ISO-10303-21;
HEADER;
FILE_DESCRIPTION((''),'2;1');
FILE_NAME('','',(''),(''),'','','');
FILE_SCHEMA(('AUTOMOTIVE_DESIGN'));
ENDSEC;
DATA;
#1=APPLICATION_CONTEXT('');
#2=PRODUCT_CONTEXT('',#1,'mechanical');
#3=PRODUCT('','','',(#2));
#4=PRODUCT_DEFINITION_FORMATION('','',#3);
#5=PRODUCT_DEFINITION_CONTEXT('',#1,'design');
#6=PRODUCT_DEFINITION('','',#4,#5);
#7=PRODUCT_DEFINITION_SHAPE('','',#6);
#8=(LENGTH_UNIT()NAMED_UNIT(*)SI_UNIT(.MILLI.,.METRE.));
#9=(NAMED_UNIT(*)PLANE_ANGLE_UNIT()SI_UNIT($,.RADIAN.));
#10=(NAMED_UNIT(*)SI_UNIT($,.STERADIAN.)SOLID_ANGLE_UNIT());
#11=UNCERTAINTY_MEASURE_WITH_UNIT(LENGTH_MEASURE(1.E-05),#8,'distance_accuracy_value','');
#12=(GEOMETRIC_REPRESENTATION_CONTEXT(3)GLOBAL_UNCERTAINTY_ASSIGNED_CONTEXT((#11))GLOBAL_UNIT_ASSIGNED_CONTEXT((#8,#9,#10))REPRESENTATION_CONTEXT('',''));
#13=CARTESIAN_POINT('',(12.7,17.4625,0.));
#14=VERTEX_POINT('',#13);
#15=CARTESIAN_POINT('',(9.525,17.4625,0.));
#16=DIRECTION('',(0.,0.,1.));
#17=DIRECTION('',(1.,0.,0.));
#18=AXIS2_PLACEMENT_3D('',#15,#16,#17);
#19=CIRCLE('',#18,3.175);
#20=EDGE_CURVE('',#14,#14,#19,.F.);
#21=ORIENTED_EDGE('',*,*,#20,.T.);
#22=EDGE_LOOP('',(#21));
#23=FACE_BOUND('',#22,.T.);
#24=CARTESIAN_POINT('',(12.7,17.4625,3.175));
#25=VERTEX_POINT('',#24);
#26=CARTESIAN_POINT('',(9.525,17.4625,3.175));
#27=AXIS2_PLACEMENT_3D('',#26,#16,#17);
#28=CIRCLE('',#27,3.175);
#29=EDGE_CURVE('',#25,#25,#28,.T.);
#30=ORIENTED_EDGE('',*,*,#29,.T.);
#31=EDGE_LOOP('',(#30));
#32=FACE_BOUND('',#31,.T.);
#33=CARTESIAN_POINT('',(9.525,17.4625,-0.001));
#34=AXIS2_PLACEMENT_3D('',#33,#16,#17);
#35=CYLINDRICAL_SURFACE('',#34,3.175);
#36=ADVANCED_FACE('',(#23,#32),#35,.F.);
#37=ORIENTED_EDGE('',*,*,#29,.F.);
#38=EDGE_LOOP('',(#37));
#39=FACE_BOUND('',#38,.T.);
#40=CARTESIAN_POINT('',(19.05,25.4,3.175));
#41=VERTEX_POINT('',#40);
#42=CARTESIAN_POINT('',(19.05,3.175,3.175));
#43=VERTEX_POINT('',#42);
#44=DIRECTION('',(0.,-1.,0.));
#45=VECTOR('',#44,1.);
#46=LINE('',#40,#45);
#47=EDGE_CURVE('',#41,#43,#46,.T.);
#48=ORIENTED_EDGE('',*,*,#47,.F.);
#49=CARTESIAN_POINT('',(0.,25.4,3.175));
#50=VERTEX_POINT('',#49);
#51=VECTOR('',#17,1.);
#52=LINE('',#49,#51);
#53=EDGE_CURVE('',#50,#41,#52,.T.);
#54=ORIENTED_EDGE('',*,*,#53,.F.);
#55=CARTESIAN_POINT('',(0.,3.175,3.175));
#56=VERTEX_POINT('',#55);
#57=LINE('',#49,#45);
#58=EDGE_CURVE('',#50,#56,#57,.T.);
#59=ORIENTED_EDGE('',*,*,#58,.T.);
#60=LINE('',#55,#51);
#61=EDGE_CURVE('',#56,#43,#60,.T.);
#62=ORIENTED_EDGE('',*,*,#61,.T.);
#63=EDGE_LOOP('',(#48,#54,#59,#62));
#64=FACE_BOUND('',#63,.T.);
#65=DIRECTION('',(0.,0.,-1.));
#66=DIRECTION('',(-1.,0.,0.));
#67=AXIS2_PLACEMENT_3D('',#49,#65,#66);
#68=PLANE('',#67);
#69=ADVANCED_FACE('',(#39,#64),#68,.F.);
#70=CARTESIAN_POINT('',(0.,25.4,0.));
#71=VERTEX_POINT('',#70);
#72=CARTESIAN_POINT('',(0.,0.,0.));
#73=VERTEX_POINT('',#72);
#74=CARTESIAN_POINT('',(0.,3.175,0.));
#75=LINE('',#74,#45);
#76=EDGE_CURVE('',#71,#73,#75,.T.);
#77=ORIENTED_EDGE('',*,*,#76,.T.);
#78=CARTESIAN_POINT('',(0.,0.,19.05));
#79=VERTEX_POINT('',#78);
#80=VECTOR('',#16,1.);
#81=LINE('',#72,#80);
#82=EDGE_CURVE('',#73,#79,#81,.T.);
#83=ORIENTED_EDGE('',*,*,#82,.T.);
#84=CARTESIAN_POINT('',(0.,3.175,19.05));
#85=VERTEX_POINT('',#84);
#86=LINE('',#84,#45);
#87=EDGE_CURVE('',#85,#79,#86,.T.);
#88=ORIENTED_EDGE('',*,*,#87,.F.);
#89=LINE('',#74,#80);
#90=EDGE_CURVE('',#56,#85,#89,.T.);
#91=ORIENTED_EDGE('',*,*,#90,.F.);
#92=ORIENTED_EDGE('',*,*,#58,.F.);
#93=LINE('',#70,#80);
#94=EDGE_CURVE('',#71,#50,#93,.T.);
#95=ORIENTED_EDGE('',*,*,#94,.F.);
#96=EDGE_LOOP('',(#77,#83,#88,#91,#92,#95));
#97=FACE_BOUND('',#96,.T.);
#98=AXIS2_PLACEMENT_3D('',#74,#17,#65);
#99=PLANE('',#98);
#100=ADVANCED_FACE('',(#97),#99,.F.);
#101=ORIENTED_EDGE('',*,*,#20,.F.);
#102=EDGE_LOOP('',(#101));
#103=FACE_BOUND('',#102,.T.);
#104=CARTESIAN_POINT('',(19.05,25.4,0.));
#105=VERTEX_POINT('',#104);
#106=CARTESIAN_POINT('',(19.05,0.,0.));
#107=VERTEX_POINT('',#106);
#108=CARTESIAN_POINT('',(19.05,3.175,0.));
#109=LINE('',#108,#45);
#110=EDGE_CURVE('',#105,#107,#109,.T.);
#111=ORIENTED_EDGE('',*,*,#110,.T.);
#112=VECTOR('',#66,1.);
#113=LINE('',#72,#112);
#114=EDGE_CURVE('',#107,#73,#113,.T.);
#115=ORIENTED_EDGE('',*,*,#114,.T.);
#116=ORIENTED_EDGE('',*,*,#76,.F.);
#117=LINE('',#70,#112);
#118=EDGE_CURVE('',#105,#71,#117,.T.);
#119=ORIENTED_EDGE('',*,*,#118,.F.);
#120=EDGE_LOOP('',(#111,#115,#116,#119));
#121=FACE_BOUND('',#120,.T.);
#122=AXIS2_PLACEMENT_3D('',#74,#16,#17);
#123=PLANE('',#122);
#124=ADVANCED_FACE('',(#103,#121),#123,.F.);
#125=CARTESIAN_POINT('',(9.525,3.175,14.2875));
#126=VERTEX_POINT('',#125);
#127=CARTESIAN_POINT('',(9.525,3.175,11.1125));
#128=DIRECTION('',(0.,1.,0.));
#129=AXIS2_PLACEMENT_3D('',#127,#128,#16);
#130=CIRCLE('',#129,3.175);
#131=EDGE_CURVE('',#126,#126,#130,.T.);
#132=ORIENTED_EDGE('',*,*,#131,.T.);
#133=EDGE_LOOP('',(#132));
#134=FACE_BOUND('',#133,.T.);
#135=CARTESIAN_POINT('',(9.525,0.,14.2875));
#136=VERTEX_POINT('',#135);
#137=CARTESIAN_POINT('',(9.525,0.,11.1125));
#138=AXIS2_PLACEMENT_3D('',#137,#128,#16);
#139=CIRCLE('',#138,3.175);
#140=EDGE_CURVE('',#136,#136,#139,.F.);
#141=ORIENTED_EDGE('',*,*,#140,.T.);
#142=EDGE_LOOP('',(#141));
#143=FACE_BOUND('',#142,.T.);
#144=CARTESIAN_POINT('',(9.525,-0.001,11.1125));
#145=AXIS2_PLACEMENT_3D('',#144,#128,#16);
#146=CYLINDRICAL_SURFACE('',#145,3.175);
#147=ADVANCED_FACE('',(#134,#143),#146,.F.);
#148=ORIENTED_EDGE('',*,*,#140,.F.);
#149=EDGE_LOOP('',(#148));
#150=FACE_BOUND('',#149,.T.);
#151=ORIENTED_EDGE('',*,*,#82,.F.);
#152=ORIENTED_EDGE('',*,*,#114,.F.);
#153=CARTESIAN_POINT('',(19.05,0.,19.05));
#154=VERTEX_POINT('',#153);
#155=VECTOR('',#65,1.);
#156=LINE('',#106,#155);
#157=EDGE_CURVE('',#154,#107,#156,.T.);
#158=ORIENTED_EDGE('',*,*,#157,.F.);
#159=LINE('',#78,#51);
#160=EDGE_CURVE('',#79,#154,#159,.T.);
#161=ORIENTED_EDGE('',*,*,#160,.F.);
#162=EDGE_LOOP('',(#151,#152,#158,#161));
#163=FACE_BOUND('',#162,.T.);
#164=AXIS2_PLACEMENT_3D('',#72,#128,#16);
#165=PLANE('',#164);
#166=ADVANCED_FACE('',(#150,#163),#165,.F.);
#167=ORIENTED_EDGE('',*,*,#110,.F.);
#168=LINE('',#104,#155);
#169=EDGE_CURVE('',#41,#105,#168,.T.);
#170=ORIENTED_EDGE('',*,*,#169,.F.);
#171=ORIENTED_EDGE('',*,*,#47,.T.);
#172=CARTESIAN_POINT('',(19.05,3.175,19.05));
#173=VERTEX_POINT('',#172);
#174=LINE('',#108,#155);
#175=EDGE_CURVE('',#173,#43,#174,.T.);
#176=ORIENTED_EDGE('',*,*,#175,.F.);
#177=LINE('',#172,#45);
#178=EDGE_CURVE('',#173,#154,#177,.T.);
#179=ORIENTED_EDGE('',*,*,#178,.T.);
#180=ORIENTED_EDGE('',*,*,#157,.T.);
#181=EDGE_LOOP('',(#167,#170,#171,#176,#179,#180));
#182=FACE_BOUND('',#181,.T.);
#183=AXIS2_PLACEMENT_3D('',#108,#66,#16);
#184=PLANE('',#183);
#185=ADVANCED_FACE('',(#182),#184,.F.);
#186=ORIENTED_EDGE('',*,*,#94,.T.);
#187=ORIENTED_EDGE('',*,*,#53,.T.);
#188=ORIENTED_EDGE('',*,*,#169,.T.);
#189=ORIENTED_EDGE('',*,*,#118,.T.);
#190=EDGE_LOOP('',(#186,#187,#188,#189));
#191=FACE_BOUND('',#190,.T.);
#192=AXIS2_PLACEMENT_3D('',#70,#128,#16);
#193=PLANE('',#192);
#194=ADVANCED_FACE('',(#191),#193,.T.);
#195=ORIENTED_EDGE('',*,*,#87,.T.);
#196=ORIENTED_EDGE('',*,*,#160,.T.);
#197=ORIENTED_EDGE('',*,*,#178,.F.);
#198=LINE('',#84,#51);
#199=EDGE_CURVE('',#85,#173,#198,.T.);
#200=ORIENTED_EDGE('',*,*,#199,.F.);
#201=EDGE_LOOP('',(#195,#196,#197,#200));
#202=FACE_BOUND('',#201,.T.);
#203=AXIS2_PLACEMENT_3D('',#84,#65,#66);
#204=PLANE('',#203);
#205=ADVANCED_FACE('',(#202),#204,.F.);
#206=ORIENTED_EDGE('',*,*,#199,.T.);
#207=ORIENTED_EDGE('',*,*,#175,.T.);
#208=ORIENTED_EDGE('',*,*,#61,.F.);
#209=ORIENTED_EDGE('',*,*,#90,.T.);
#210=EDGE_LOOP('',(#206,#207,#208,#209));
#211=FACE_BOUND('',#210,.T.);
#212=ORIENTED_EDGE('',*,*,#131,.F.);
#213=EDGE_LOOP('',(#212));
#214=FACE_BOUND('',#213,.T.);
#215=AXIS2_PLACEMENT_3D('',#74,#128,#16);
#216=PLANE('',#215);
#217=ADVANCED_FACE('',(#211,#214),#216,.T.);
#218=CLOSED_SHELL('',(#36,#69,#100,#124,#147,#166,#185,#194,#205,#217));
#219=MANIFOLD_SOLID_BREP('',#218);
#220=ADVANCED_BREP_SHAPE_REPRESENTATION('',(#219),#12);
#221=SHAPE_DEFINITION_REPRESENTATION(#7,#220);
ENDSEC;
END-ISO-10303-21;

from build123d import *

# Parameters (mm, degrees)
SKETCH1_W           = 19.05
SKETCH1_H           = 19.05
BOSS_EXTRUDE1_DEPTH = 3.175
SKETCH2_W           = 19.05
SKETCH2_H           = 3.175
BOSS_EXTRUDE2_DEPTH = 22.225
CUT_EXTRUDE1_REACH  = 36.925
SKETCH3_R           = 3.175
CUT_EXTRUDE2_REACH  = 37.498
SKETCH4_R           = 3.175


with BuildPart() as part:
    # Sketch1 → Boss-Extrude1 (new body)
    with BuildSketch(Plane(origin=(0, 0, 0), x_dir=(1, 0, 0), z_dir=(0, 1, 0))):
        with Locations((9.525, -9.525)):
            Rectangle(SKETCH1_W, SKETCH1_H)
    extrude(amount=BOSS_EXTRUDE1_DEPTH)

    # Sketch2 → Boss-Extrude2 (add)
    with BuildSketch(Plane(origin=(0, 3.175, 0), x_dir=(1, 0, 0), z_dir=(0, 1, 0))):
        with Locations((9.525, -1.5875)):
            Rectangle(SKETCH2_W, SKETCH2_H)
    extrude(amount=BOSS_EXTRUDE2_DEPTH)

    # Sketch3 → Cut-Extrude1 (cut, up to next)
    with BuildSketch(Plane(origin=(0, 3.175, 0), x_dir=(1, 0, 0), z_dir=(0, 1, 0)), mode=Mode.PRIVATE) as cut_extrude1_sk1:
        with Locations(Location((9.525, -11.1125, 0), (0, 0, 270))):
            Circle(SKETCH3_R)
    cut_extrude1_tool1 = extrude(cut_extrude1_sk1.sketch, amount=-CUT_EXTRUDE1_REACH, mode=Mode.PRIVATE) & part.part
    add(cut_extrude1_tool1.solids().sort_by_distance((9.525, 3.175, 11.1125))[0], mode=Mode.SUBTRACT)

    # Sketch4 → Cut-Extrude2 (cut, up to next)
    with BuildSketch(Plane.XY.offset(3.175), mode=Mode.PRIVATE) as cut_extrude2_sk1:
        with Locations((9.525, 17.4625)):
            Circle(SKETCH4_R)
    cut_extrude2_tool1 = extrude(cut_extrude2_sk1.sketch, amount=-CUT_EXTRUDE2_REACH, mode=Mode.PRIVATE) & part.part
    add(cut_extrude2_tool1.solids().sort_by_distance((9.525, 17.4625, 3.175))[0], mode=Mode.SUBTRACT)


solid = part.part
